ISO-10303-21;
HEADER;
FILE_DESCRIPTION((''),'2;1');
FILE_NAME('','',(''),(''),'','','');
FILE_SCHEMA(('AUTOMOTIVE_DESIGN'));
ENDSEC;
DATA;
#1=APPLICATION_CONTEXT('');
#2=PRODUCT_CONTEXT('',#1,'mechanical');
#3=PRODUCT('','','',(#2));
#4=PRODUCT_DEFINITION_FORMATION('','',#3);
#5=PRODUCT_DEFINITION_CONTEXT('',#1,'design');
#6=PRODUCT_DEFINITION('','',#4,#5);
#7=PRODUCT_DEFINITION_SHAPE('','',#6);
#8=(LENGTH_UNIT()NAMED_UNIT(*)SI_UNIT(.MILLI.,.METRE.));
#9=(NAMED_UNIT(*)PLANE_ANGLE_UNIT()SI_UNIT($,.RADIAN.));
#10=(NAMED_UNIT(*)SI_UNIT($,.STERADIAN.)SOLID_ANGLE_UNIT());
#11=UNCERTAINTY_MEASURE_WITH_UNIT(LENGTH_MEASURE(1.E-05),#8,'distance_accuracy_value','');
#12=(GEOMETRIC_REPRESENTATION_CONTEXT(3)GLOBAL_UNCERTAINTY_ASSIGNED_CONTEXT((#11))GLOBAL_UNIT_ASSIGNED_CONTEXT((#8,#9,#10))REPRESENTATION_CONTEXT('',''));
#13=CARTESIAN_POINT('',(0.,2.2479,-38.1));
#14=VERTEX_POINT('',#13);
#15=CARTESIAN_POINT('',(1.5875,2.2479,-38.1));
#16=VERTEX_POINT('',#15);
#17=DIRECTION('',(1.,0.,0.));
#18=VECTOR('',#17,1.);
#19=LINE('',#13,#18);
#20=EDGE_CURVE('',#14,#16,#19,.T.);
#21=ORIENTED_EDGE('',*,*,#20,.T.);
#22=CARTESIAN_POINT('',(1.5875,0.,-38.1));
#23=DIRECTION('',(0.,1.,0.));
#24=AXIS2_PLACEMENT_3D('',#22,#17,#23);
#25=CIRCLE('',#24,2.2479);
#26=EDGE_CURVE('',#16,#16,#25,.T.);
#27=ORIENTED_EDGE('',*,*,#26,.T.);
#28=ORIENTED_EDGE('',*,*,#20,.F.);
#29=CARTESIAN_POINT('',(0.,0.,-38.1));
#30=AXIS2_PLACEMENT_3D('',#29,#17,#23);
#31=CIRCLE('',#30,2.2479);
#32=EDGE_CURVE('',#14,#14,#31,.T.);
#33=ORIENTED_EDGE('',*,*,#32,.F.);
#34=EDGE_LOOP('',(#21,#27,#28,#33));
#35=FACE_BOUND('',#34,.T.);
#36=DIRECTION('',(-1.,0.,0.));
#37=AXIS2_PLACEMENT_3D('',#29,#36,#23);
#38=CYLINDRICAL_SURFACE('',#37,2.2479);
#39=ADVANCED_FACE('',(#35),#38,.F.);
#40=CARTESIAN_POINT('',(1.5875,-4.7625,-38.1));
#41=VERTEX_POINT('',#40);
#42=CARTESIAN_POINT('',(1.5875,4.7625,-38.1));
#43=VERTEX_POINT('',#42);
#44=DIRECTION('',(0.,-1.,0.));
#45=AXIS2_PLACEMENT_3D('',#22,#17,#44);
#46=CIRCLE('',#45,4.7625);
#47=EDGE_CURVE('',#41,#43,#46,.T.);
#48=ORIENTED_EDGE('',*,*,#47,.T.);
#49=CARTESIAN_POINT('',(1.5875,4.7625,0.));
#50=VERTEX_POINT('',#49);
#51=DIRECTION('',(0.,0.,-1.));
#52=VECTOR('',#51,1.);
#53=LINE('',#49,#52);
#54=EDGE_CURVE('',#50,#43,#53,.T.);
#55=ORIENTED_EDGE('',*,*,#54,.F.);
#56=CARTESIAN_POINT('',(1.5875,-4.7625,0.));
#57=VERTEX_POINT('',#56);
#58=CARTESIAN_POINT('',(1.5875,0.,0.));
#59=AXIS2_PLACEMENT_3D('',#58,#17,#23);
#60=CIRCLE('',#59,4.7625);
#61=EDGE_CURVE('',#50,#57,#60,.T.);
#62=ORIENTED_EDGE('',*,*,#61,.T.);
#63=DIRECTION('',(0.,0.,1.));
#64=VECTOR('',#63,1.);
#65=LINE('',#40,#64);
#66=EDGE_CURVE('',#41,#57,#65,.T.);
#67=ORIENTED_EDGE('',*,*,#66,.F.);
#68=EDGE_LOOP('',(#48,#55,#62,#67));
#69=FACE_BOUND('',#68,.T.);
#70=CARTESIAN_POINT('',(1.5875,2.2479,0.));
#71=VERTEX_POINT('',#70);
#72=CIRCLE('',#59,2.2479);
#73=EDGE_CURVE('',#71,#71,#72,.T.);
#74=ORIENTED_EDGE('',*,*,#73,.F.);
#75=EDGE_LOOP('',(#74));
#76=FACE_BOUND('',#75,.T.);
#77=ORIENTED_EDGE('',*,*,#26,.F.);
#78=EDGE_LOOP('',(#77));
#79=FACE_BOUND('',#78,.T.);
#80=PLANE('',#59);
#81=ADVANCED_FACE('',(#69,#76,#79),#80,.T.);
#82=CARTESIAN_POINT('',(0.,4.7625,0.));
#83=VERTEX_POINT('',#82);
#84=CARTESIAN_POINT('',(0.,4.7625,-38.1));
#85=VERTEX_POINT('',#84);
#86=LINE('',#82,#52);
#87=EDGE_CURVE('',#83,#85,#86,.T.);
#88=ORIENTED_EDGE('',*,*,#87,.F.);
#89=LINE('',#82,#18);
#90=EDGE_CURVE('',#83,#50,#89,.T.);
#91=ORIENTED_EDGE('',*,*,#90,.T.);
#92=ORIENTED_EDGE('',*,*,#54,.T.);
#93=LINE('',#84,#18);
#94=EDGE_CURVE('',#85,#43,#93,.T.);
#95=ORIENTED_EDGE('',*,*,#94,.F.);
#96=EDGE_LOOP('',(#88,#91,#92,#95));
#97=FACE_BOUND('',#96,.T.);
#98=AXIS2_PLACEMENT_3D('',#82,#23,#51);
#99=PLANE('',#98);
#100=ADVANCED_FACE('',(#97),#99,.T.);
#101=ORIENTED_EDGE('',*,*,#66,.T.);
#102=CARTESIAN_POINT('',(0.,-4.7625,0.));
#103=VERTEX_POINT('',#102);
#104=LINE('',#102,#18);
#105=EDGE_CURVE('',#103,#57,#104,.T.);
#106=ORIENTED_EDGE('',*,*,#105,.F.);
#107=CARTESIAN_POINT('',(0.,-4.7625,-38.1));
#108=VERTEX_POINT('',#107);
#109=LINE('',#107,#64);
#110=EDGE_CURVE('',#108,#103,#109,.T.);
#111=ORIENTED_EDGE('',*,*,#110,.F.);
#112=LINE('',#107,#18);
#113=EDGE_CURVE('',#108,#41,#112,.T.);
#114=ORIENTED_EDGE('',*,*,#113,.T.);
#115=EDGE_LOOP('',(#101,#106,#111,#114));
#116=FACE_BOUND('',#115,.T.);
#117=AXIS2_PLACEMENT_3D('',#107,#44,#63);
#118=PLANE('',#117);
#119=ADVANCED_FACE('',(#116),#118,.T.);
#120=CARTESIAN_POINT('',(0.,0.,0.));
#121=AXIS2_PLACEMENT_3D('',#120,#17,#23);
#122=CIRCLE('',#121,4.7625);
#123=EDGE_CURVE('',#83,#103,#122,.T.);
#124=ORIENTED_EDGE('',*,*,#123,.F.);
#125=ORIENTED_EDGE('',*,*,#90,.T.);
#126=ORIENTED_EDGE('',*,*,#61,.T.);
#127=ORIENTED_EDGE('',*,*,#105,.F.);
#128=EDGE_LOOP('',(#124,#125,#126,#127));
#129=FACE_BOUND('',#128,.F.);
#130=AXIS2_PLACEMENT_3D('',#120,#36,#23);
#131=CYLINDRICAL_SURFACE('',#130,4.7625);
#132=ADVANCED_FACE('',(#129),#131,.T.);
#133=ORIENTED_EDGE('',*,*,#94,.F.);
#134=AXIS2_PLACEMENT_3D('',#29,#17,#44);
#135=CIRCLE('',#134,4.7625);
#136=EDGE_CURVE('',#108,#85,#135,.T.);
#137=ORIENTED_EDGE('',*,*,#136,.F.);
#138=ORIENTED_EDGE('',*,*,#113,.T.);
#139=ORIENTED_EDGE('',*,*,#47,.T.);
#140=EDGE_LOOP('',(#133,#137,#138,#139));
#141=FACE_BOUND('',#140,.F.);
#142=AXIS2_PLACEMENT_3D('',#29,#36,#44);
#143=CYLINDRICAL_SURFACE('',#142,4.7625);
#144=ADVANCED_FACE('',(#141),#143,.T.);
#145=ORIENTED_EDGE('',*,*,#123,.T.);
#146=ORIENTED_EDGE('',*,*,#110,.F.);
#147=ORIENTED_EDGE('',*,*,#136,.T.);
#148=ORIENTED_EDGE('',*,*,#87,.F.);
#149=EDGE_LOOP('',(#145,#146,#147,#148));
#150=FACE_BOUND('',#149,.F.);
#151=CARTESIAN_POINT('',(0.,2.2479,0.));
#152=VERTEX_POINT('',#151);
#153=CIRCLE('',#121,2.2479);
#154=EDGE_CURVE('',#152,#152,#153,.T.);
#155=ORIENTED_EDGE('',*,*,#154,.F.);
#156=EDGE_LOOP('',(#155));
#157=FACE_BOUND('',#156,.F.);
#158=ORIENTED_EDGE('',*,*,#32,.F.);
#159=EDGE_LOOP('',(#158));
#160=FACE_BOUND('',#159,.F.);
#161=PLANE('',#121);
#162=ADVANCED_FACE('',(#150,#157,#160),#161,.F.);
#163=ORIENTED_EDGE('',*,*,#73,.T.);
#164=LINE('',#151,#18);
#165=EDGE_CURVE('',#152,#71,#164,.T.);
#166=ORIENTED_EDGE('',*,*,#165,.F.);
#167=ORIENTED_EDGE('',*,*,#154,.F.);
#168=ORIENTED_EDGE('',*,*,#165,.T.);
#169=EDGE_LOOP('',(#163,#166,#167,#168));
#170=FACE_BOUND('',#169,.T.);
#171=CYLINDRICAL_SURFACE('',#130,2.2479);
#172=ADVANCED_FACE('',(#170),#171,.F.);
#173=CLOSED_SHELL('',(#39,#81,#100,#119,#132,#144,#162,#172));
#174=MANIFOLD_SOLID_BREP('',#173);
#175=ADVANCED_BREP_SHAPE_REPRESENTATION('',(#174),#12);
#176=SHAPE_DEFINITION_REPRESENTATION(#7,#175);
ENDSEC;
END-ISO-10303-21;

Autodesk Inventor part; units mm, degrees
ref_plane "YZ Plane" through (0, 0, 0) normal (1, 0, 0) x (0, 1, 0)
ref_plane "XZ Plane" through (0, 0, 0) normal (0, 1, 0) x (-1, 0, 0)
ref_plane "XY Plane" through (0, 0, 0) normal (0, 0, 1) x (1, 0, 0)
sketch "Sketch1" plane through (0, 0, 0) normal (1, 0, 0) x (0, 1, 0)
  circle A0 centre (0, 0) radius 2.2479
  circle A1 centre (0, -38.1) radius 2.2479
  arc A2 (4.7625, 0) -> (-4.7625, 0) centre (0, 0) ccw
  arc A3 (-4.7625, -38.1) -> (4.7625, -38.1) centre (0, -38.1) ccw
  line L0 (4.7625, 0) -> (4.7625, -38.1)
  line L1 (-4.7625, -38.1) -> (-4.7625, 0)
  dimension "d0" = 4.4958
  dimension "d1" = 4.4958
  dimension "d2" = 9.525
  dimension "d3" = 9.525
extrude "Extrusion1" add sketch "Sketch1" along normal blind 1.5875
properties part number "Motor Gearbox Gusset" material "Acetal Resin, White"
